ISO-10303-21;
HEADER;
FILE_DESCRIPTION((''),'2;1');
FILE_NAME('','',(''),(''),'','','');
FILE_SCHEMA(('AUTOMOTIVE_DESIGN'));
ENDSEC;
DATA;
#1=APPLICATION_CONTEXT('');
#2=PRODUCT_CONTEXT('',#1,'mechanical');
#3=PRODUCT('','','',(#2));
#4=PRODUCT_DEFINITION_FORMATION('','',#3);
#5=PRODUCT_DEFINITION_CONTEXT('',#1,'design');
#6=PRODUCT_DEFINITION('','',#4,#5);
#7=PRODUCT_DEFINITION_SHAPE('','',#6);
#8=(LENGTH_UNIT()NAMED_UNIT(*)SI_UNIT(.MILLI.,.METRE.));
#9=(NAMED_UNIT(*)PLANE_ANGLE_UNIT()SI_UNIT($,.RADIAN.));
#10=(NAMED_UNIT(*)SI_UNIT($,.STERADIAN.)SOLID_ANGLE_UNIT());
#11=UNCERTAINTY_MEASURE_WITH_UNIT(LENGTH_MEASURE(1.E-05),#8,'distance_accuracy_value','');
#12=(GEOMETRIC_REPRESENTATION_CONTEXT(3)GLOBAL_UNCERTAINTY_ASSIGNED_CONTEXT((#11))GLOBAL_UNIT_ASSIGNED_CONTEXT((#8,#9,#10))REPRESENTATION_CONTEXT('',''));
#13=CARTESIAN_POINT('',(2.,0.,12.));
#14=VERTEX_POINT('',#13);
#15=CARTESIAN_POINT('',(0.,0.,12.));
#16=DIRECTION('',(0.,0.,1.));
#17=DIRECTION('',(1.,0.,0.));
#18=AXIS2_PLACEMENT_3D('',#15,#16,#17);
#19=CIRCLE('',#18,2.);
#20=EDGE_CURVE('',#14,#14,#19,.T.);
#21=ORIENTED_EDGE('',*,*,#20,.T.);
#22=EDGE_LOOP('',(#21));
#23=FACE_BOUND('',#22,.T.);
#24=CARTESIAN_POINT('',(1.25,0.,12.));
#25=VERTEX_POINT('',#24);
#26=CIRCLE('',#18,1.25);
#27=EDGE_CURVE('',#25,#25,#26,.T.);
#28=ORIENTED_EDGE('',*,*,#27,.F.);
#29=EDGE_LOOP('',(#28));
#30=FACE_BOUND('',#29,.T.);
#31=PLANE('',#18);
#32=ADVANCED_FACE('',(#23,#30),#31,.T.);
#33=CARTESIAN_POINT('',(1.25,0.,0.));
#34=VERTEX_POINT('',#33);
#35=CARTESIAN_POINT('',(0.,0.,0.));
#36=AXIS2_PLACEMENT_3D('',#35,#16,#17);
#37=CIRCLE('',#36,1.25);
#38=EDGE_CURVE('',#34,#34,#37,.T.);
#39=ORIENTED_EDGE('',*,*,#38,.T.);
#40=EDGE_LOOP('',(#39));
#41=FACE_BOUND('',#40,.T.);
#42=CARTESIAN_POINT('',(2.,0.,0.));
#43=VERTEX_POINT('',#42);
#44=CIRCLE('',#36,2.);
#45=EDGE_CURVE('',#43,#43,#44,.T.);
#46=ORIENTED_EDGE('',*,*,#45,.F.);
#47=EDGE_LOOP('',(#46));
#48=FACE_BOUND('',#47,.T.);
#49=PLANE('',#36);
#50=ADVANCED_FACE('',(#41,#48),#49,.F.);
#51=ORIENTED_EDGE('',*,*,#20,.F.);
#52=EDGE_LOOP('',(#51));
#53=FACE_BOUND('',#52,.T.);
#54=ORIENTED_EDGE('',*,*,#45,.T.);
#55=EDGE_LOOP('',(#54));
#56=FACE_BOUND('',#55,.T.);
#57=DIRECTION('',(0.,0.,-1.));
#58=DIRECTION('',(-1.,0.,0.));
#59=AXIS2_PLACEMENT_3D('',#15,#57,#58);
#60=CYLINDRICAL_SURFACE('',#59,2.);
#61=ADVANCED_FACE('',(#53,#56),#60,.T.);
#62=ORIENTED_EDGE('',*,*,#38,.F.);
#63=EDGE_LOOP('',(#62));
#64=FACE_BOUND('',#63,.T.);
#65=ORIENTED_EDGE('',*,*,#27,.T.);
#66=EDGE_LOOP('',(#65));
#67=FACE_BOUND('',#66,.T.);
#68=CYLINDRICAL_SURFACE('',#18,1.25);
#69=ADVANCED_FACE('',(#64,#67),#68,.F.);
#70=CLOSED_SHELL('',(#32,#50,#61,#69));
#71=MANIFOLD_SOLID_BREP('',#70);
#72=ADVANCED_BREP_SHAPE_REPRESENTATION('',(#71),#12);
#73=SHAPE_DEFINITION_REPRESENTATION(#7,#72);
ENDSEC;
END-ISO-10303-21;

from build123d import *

# Parameters (mm, degrees)
ESQUISSE1_R        = 2
BOSS_EXTRU_1_DEPTH = 12
TROU_TARAUD_M31_D  = 2.5


with BuildPart() as part:
    # Esquisse1 → Boss.-Extru.1 (new body)
    with BuildSketch(Plane.XY):
        Circle(ESQUISSE1_R)
    extrude(amount=BOSS_EXTRU_1_DEPTH)

    # Trou taraudé M31 (through all)
    with Locations(Plane.XY.offset(12)):
        with Locations((0, 0)):
            Hole(TROU_TARAUD_M31_D / 2)


solid = part.part
